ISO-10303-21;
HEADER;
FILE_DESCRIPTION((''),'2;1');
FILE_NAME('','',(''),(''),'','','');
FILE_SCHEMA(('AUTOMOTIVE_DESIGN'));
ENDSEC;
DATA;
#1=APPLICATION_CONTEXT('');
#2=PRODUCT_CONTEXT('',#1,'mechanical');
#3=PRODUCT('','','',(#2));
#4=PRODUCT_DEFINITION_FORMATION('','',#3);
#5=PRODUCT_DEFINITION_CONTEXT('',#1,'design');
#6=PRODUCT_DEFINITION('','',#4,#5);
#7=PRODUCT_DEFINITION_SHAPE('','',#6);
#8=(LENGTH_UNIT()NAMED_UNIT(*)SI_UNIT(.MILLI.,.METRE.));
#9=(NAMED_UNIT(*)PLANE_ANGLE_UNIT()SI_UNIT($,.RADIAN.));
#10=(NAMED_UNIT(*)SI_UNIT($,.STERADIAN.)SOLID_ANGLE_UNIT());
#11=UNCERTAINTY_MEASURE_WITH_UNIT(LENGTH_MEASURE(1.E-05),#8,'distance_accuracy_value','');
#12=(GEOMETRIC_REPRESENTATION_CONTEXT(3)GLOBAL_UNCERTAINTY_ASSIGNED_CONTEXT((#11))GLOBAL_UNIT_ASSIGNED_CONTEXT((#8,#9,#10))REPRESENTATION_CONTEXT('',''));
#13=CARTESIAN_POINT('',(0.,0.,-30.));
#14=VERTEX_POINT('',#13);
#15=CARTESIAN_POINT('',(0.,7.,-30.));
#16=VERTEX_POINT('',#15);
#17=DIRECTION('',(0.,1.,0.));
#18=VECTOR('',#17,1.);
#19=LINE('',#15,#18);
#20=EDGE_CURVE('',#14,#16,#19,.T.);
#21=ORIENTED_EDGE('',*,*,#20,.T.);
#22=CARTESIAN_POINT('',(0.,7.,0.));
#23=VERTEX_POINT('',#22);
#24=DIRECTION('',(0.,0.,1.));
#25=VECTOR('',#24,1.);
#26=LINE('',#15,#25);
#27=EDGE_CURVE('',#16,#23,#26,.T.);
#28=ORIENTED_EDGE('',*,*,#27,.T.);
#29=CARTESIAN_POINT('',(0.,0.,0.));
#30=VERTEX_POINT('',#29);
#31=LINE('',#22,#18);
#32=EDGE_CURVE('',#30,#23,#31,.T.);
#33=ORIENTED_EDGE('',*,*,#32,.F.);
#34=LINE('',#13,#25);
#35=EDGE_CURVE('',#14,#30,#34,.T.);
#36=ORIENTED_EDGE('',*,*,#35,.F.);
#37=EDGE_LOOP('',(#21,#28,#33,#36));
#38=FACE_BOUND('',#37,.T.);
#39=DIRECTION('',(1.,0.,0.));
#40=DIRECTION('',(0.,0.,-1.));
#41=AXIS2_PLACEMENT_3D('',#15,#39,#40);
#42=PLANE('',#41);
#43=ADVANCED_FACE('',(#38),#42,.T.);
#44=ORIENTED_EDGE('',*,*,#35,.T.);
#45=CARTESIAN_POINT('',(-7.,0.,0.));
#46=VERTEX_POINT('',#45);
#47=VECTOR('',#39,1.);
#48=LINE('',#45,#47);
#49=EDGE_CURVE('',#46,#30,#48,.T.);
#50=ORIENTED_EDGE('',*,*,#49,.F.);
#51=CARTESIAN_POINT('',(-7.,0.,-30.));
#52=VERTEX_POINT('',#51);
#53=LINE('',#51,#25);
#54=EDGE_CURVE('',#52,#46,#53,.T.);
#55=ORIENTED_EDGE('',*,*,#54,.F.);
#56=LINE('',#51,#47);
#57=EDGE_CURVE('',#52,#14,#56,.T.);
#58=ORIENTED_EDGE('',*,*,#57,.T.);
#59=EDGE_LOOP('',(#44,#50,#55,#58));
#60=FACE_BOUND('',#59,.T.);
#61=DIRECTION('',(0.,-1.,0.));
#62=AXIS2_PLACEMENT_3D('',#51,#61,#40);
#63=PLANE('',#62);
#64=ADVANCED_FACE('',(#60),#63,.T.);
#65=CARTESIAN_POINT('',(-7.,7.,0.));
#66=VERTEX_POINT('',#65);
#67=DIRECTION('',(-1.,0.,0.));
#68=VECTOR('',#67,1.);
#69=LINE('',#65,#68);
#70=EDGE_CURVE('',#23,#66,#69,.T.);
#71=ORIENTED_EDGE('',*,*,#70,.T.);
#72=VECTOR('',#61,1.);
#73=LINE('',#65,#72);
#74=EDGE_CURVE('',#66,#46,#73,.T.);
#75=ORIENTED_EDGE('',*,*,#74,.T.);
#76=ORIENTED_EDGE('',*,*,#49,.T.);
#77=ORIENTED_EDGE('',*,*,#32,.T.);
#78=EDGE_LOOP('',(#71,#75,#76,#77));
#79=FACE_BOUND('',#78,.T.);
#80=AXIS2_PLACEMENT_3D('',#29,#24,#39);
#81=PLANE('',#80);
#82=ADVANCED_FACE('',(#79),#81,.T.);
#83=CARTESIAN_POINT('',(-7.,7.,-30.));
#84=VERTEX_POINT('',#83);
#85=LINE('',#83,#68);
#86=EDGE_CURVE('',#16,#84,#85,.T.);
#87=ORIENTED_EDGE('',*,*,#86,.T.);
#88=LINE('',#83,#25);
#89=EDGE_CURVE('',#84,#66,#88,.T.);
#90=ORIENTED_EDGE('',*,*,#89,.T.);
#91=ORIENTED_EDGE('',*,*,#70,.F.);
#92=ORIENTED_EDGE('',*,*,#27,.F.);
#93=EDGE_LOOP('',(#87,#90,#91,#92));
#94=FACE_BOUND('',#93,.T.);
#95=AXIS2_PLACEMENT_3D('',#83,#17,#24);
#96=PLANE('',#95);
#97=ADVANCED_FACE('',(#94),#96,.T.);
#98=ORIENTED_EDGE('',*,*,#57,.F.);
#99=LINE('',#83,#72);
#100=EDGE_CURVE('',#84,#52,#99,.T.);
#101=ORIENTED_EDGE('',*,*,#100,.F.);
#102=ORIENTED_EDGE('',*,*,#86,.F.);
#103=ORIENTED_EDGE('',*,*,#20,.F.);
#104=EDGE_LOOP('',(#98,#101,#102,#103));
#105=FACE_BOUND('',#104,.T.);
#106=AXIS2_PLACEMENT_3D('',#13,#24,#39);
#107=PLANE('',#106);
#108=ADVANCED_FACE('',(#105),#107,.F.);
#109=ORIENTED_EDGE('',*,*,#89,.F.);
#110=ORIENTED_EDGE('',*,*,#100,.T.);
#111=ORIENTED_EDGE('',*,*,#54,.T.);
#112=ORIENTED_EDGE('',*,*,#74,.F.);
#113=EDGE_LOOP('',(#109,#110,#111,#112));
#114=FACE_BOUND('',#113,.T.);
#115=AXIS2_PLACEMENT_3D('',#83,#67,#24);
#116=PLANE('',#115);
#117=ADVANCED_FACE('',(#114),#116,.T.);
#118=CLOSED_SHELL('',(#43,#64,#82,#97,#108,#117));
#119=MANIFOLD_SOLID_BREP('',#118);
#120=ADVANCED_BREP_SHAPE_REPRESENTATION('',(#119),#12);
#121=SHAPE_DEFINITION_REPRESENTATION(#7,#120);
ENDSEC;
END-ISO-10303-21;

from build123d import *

# Parameters (mm, degrees)
SKETCH_1_W      = 7
SKETCH_1_H      = 7
EXTRUDE_1_DEPTH = 30


with BuildPart() as part:
    # Эскиз1 → Бобышка-Вытянуть1 (new body)
    with BuildSketch(Plane.XY):
        with Locations((-3.5, 3.5)):
            Rectangle(SKETCH_1_W, SKETCH_1_H)
    extrude(amount=-EXTRUDE_1_DEPTH)


solid = part.part
